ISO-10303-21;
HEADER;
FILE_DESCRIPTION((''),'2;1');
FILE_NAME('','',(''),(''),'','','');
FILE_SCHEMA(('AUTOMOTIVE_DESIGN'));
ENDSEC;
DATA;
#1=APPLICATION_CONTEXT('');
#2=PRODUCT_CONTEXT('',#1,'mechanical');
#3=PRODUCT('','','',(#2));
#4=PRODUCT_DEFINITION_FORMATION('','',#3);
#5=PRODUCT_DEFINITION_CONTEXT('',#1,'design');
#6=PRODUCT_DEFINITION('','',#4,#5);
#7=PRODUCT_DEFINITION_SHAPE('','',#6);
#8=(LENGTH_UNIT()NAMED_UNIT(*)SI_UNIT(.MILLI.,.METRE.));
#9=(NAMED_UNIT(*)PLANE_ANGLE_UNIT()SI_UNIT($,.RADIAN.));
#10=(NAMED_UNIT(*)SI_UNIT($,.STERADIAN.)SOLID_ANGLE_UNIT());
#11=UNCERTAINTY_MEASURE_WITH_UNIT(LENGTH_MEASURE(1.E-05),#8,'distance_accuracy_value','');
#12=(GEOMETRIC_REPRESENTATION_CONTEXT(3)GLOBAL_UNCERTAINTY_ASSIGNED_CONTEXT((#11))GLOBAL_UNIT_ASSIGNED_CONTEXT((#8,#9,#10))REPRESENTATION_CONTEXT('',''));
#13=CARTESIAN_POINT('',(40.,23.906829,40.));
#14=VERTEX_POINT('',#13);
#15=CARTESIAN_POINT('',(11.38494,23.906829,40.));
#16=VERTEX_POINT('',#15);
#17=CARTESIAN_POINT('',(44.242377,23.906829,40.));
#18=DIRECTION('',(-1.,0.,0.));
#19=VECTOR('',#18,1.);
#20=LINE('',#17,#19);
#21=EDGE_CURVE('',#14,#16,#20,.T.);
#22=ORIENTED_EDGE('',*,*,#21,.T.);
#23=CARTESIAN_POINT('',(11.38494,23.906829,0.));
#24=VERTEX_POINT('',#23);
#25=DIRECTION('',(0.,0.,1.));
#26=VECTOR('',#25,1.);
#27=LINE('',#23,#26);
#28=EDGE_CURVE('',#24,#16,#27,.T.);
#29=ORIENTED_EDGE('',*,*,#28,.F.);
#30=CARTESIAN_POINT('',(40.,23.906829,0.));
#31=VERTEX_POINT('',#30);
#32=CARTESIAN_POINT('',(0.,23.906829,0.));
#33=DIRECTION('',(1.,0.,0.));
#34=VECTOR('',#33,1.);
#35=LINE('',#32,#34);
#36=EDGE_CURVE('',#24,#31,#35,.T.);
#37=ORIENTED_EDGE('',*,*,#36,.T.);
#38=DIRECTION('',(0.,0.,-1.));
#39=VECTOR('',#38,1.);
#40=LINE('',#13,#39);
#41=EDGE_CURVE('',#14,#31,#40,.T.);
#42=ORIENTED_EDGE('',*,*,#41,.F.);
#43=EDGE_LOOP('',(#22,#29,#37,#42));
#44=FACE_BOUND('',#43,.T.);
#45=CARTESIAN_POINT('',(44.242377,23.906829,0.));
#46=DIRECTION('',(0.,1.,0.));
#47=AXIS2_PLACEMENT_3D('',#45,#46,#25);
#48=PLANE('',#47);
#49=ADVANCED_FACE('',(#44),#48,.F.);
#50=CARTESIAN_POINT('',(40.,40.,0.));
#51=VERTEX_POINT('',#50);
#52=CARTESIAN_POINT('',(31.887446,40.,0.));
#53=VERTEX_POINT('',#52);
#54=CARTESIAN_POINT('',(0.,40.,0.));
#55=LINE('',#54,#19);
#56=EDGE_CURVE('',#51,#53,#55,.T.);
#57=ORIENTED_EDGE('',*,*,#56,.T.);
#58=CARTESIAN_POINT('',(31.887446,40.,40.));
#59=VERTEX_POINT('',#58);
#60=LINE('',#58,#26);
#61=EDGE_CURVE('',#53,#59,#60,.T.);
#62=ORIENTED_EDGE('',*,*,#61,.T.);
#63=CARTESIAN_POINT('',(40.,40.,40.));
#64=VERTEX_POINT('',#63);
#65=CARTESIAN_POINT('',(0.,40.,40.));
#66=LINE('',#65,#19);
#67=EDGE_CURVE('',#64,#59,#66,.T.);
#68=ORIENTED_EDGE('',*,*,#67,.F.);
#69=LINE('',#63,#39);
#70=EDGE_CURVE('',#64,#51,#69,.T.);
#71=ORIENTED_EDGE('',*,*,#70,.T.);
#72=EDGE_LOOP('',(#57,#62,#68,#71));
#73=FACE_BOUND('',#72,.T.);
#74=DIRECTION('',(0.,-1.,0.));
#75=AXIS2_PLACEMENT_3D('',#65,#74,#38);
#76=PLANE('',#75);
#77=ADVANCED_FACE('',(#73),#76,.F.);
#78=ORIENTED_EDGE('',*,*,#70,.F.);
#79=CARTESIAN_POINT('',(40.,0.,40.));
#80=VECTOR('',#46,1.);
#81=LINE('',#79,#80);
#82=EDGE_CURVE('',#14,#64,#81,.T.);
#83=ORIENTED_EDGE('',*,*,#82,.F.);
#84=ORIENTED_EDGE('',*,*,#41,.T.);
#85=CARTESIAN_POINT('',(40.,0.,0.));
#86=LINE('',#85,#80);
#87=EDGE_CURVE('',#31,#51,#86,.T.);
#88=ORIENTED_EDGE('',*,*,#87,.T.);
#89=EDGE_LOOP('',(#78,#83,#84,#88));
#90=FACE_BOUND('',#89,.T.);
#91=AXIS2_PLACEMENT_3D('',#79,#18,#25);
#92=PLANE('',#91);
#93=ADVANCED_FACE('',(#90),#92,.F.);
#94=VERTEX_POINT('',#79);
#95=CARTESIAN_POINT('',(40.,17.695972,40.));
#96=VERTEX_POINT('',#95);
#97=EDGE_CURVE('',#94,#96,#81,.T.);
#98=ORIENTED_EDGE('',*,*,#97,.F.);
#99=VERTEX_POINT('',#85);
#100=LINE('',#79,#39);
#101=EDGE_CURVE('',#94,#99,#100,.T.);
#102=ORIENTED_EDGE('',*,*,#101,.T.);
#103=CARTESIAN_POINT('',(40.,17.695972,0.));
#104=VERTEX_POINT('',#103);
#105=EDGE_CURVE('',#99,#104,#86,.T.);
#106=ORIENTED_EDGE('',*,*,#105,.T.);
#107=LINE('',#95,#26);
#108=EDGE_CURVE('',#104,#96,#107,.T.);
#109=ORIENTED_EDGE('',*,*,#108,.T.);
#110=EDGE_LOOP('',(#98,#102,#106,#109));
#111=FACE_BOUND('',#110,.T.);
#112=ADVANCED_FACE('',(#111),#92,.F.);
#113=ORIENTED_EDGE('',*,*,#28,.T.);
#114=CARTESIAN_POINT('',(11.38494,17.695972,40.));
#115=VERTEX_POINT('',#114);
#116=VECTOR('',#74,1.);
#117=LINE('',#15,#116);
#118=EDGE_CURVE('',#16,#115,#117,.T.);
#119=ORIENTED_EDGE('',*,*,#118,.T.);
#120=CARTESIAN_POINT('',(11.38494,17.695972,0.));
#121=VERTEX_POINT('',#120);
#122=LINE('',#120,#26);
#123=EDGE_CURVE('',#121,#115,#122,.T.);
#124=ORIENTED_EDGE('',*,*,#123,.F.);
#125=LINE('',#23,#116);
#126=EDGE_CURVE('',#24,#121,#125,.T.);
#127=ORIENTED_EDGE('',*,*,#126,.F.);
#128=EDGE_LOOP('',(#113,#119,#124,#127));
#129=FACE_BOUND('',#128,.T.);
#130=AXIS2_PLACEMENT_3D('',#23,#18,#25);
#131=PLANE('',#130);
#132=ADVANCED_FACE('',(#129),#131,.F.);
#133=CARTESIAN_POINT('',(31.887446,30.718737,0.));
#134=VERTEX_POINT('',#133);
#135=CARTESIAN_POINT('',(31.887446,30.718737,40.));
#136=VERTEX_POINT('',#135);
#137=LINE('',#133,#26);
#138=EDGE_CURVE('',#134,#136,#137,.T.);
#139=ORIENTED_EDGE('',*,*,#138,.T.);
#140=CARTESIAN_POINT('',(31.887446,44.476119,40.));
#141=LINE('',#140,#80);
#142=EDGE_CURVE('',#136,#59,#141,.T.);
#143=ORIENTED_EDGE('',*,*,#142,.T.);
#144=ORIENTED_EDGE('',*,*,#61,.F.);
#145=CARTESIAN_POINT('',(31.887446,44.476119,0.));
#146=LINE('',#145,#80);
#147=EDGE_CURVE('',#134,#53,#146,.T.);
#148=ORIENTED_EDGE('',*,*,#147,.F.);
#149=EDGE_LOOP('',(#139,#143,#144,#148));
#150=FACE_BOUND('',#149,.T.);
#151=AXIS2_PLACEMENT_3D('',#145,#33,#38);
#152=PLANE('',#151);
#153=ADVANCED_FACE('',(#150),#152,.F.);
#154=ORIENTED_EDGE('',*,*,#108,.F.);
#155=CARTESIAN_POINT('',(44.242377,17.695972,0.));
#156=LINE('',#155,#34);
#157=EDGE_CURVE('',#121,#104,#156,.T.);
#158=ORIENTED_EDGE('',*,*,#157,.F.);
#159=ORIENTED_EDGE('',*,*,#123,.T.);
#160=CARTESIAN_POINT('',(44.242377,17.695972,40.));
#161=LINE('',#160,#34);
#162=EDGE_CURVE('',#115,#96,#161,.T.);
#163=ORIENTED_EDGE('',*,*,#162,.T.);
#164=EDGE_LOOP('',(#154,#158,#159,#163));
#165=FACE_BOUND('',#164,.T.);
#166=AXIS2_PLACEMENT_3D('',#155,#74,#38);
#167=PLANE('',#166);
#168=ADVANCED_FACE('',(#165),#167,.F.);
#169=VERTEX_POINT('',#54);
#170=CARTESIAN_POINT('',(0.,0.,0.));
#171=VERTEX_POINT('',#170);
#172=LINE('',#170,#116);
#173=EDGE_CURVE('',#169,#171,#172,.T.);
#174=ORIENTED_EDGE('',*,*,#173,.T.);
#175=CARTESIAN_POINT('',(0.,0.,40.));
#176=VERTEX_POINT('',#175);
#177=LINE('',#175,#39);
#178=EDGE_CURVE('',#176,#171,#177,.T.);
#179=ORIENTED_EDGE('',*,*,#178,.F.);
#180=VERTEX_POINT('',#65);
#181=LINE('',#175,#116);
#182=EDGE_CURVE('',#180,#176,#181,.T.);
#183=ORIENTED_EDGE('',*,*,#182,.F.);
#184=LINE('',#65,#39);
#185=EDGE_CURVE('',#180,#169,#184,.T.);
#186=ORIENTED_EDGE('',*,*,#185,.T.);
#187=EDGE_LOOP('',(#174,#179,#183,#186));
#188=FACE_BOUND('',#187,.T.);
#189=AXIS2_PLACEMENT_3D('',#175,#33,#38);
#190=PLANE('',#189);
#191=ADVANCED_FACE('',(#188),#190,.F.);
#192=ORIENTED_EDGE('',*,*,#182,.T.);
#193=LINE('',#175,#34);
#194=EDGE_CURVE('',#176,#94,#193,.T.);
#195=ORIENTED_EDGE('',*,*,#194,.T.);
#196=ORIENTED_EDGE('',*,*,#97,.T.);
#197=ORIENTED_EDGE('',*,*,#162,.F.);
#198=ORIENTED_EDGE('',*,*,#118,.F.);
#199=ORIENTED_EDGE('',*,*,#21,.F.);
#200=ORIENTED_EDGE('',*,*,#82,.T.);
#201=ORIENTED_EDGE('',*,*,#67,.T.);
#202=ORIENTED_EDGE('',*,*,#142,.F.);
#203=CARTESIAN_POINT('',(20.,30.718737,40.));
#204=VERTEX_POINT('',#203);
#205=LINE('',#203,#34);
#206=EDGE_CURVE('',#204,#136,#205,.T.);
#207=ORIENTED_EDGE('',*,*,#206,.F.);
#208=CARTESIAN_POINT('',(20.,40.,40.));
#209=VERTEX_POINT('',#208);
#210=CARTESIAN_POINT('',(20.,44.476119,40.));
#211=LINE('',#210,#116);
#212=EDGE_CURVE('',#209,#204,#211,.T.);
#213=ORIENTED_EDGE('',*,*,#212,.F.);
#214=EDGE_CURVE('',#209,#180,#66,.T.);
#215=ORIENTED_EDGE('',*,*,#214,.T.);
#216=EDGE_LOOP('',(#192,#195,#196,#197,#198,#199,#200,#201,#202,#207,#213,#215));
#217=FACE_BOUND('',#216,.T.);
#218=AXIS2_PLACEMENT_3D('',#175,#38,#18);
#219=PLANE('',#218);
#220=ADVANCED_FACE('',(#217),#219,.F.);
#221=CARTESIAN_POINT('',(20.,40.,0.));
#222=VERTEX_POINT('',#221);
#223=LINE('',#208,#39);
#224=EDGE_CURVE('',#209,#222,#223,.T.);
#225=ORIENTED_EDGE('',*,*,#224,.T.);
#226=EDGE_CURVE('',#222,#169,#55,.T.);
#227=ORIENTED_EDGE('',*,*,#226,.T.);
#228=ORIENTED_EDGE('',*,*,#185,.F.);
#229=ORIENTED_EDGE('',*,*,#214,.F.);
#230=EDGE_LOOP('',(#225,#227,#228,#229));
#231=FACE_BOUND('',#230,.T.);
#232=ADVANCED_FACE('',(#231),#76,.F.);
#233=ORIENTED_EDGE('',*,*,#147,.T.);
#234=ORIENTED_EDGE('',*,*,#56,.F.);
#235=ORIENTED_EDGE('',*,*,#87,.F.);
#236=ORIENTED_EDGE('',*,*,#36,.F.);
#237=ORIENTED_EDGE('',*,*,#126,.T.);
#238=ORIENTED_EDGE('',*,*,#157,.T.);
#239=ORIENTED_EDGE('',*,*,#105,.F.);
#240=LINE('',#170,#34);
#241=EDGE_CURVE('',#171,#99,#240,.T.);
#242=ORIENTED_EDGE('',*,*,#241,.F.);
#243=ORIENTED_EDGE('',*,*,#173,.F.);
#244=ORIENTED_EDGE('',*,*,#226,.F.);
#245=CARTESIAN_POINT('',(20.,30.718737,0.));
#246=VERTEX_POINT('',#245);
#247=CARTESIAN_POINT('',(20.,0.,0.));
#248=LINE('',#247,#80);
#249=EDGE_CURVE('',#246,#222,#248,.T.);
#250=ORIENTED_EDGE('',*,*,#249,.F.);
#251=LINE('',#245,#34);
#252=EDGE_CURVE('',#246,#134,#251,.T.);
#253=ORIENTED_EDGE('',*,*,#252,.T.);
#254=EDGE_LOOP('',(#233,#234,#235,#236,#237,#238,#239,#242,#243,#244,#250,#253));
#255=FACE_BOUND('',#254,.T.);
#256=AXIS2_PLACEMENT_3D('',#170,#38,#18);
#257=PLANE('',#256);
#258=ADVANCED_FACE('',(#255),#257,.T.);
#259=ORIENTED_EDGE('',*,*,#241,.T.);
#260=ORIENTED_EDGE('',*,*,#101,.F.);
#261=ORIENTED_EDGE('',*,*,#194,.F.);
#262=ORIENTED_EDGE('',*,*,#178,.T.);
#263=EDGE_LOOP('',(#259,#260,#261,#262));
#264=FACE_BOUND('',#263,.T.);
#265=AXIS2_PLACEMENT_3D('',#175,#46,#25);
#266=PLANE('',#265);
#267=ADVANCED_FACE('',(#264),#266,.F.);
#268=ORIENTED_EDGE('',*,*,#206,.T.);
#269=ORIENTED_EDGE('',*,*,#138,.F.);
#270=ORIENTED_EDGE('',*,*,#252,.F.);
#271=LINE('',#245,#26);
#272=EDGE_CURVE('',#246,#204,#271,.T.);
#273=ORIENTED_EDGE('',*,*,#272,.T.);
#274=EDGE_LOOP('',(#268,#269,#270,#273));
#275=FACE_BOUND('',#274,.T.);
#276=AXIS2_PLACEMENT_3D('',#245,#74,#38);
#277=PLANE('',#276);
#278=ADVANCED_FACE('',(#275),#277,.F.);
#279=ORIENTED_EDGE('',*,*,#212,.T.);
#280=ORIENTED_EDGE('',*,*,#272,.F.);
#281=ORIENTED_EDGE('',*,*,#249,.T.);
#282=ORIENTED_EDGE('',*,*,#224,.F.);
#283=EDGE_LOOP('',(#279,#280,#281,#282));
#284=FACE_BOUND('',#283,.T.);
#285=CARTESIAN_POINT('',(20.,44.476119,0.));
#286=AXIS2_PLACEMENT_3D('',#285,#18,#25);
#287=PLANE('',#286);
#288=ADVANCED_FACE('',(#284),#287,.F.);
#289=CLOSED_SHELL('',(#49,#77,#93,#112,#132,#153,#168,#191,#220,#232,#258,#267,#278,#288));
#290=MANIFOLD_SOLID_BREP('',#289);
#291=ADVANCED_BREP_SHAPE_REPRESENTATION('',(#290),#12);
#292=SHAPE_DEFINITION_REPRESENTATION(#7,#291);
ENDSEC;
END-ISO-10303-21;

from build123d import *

# Parameters (mm, degrees)
ESQUISSE1_W             = 40
ESQUISSE1_H             = 40
BOSS_EXTRU_1_DEPTH      = 40
ESQUISSE2_W             = 11.88744648
ESQUISSE2_H             = 13.757381882
ESQUISSE2_W_2           = 32.857436339
ESQUISSE2_H_2           = 6.210856869
ENL_V_MAT_EXTRU_1_DEPTH = 40


with BuildPart() as part:
    # Esquisse1 → Boss.-Extru.1 (new body)
    with BuildSketch(Plane.XY):
        with Locations((20, 20)):
            Rectangle(ESQUISSE1_W, ESQUISSE1_H)
    extrude(amount=BOSS_EXTRU_1_DEPTH)

    # Esquisse2 → Enlèv. mat.-Extru.1 (cut)
    with BuildSketch(Plane.XY.offset(40)):
        with Locations((25.94372324, 37.597427795)):
            Rectangle(ESQUISSE2_W, ESQUISSE2_H)
        with Locations((27.813658641, 20.801400886)):
            Rectangle(ESQUISSE2_W_2, ESQUISSE2_H_2)
    extrude(amount=-ENL_V_MAT_EXTRU_1_DEPTH, mode=Mode.SUBTRACT)


solid = part.part
